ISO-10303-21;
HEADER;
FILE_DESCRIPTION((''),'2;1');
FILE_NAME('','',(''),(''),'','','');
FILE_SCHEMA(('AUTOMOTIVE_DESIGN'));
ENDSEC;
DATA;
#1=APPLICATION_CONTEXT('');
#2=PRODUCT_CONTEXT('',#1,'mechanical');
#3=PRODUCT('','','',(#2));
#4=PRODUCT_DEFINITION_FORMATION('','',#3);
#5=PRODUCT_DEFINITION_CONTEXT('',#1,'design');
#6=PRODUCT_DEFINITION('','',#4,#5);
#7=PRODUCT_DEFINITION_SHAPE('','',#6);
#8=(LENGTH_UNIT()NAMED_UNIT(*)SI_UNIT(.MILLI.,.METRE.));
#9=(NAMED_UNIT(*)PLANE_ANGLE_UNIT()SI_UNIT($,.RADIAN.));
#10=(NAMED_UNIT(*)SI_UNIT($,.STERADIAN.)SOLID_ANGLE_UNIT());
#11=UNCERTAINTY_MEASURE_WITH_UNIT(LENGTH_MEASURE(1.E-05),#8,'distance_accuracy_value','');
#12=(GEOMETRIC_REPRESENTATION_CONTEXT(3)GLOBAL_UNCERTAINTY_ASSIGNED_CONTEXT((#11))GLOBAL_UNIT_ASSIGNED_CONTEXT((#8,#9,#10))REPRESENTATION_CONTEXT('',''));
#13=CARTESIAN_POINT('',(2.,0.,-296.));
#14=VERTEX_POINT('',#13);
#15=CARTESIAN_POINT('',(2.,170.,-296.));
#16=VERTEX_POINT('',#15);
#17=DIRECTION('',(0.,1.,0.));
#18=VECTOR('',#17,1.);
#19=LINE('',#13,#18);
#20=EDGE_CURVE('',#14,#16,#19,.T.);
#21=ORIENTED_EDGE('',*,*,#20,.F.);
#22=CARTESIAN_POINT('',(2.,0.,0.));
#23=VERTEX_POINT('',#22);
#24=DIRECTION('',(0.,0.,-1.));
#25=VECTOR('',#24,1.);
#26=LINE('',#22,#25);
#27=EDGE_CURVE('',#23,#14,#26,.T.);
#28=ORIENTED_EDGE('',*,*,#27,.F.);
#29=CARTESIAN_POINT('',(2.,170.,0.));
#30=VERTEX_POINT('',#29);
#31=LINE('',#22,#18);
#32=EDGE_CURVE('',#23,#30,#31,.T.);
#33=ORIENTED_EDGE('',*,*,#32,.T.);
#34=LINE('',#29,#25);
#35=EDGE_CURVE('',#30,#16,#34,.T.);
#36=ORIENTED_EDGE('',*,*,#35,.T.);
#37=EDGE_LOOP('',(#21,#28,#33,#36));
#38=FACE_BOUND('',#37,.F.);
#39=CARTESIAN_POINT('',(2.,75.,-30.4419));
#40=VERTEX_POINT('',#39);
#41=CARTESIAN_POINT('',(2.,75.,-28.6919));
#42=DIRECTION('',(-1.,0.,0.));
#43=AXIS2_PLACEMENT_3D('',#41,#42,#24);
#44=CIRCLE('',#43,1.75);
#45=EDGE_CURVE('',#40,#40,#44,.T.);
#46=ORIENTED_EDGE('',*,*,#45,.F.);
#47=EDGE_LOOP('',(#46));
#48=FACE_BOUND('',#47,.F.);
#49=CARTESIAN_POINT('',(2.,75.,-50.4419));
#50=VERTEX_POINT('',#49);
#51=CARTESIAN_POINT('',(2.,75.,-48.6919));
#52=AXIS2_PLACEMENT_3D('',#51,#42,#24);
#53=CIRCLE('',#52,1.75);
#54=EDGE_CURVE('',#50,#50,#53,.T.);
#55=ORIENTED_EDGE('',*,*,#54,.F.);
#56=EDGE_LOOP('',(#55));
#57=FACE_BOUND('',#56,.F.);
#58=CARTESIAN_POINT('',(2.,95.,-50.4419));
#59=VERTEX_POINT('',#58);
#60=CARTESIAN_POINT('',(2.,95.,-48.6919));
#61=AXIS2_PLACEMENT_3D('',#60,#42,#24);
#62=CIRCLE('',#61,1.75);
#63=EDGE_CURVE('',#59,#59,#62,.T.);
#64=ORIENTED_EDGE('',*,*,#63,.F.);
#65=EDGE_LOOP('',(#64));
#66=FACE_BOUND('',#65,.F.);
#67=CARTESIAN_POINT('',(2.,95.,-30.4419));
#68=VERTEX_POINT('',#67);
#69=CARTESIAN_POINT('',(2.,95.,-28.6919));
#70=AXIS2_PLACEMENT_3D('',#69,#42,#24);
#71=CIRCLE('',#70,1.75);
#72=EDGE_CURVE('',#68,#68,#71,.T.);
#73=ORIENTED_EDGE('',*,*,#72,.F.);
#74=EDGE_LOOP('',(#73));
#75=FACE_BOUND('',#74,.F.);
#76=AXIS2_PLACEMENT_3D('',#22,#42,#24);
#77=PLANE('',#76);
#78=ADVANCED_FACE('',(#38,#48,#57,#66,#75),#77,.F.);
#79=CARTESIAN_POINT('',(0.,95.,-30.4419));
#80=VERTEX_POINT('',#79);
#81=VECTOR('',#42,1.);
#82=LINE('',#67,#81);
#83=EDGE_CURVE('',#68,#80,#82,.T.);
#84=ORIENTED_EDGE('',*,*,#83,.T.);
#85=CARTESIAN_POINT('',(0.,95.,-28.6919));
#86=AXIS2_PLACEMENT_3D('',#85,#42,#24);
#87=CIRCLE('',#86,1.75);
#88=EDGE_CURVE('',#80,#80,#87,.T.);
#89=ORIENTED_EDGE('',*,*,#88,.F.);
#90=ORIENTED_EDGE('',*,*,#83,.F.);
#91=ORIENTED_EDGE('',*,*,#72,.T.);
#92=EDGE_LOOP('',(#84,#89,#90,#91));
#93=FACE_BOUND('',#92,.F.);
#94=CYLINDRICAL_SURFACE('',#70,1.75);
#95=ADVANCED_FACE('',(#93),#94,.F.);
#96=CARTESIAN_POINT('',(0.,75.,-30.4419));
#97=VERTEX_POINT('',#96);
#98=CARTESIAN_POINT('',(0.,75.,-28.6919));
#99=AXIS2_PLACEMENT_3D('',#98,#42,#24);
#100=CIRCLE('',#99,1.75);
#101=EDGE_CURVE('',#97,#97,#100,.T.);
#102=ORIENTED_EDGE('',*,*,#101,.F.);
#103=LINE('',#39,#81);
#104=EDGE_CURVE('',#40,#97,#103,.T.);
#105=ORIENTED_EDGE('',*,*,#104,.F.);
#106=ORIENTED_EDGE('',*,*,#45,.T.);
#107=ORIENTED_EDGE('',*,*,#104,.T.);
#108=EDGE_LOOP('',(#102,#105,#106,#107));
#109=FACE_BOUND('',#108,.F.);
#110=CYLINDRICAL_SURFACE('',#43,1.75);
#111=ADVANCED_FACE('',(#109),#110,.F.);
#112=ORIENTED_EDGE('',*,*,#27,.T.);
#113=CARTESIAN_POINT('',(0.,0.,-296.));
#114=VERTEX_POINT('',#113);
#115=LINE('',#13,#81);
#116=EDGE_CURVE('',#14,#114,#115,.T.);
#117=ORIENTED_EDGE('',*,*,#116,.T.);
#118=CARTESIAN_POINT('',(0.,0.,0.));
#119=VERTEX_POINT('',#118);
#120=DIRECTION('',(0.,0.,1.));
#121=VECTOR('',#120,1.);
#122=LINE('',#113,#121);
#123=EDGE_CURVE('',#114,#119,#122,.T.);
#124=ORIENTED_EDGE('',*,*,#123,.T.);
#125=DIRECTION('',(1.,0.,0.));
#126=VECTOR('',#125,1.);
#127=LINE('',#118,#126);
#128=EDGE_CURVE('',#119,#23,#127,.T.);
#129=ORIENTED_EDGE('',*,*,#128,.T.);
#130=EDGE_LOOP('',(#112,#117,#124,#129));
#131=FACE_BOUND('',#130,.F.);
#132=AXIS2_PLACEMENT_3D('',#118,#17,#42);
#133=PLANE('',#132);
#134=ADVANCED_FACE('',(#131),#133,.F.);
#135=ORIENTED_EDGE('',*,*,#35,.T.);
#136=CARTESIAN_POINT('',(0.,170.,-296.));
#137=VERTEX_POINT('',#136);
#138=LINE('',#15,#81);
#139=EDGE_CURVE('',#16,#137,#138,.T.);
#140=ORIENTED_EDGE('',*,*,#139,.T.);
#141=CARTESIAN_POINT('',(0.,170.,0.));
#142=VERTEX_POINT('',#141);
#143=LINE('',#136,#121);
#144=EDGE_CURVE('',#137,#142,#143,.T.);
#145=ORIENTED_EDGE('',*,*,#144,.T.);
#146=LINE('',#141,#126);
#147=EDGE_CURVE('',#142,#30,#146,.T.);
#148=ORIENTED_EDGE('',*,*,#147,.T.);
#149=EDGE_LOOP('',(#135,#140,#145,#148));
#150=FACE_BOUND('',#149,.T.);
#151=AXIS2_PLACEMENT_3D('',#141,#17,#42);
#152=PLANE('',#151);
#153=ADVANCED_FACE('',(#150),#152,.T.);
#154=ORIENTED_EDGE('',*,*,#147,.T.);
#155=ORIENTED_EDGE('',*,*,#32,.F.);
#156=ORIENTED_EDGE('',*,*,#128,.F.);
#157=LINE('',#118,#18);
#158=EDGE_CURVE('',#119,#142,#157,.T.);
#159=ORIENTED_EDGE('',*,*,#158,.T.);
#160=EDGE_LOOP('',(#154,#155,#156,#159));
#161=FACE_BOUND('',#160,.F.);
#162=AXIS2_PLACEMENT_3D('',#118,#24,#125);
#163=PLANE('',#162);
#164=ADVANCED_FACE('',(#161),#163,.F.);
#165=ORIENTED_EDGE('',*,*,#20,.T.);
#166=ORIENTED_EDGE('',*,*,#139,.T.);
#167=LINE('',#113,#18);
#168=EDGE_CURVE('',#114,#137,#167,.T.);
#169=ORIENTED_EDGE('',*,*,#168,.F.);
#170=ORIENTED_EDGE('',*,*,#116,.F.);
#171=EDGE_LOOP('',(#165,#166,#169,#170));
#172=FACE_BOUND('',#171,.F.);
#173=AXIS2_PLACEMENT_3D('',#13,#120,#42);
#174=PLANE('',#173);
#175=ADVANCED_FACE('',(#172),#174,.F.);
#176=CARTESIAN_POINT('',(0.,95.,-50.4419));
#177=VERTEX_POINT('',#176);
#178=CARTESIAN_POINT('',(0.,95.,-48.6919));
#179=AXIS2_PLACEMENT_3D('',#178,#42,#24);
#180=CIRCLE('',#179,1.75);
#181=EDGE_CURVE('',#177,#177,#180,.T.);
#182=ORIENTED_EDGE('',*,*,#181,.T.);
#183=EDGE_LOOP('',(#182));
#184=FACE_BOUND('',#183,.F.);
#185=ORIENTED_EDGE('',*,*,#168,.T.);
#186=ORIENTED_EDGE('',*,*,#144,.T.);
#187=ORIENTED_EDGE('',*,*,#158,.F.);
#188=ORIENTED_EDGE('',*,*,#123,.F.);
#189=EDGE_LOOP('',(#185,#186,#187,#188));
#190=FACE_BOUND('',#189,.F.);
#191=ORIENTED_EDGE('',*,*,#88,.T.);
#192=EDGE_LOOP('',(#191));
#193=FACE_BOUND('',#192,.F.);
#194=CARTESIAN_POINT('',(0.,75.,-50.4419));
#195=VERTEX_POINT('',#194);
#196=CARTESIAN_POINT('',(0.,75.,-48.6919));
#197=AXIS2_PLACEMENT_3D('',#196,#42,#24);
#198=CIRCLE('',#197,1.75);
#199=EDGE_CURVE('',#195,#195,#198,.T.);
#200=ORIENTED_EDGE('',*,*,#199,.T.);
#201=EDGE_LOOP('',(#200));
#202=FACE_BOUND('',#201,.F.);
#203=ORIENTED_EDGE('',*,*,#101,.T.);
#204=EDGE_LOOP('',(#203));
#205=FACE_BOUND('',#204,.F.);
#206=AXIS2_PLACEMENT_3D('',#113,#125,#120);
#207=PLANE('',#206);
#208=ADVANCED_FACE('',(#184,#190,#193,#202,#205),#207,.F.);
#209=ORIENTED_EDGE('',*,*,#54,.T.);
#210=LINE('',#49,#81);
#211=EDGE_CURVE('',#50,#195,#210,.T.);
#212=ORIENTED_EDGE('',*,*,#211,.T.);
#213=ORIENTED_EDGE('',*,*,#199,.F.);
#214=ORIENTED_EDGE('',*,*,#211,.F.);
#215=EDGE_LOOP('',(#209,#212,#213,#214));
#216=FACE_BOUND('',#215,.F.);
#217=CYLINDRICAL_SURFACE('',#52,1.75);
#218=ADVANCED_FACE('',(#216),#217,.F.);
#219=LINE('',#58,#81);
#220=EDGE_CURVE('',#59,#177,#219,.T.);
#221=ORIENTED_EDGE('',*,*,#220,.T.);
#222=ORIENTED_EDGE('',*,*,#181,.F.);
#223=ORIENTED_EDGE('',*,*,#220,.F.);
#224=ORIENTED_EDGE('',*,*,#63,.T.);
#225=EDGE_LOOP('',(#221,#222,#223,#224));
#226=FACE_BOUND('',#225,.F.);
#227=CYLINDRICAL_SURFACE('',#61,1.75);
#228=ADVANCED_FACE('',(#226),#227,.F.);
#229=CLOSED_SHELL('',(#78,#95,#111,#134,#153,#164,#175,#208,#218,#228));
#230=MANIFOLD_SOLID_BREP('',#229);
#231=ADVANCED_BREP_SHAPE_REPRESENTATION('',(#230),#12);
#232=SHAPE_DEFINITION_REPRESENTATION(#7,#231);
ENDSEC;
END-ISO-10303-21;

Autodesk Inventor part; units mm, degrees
ref_plane "YZ Plane" through (0, 0, 0) normal (1, 0, 0) x (0, 1, 0)
ref_plane "XZ Plane" through (0, 0, 0) normal (0, 1, 0) x (-1, 0, 0)
ref_plane "XY Plane" through (0, 0, 0) normal (0, 0, 1) x (1, 0, 0)
sketch "スケッチ1" plane through (0, 0, 0) normal (0, 1, 0) x (-1, 0, 0)
  line L0 (0, 0) -> (-2, 0)
  line L1 (-2, 0) -> (-2, -296)
  line L2 (-2, -296) -> (0, -296)
  line L3 (0, -296) -> (0, 0)
  dimension "d0" = 2
  dimension "d1" = 296
extrude "押し出し1" add sketch "スケッチ1" along normal blind 170
sketch "スケッチ2" plane through (2, 0, 0) normal (1, 0, 0) x (0, 0, -1)
  line L0 (0, 0) -> (296, 0) projected
  point P0 (48.6919, 95)
  point P1 (28.6919, 95)
  point P2 (28.6919, 75)
  point P3 (48.6919, 75)
  dimension "d5" = 95
  dimension "d6" = 20
  dimension "d7" = 20
hole "穴1" at (2, 95, -48.6919) at (2, 95, -28.6919) at (2, 75, -28.6919) at (2, 75, -48.6919) direction (-1, 0, 0) diameter 3.5 end through all
properties part number "アーム支え"
